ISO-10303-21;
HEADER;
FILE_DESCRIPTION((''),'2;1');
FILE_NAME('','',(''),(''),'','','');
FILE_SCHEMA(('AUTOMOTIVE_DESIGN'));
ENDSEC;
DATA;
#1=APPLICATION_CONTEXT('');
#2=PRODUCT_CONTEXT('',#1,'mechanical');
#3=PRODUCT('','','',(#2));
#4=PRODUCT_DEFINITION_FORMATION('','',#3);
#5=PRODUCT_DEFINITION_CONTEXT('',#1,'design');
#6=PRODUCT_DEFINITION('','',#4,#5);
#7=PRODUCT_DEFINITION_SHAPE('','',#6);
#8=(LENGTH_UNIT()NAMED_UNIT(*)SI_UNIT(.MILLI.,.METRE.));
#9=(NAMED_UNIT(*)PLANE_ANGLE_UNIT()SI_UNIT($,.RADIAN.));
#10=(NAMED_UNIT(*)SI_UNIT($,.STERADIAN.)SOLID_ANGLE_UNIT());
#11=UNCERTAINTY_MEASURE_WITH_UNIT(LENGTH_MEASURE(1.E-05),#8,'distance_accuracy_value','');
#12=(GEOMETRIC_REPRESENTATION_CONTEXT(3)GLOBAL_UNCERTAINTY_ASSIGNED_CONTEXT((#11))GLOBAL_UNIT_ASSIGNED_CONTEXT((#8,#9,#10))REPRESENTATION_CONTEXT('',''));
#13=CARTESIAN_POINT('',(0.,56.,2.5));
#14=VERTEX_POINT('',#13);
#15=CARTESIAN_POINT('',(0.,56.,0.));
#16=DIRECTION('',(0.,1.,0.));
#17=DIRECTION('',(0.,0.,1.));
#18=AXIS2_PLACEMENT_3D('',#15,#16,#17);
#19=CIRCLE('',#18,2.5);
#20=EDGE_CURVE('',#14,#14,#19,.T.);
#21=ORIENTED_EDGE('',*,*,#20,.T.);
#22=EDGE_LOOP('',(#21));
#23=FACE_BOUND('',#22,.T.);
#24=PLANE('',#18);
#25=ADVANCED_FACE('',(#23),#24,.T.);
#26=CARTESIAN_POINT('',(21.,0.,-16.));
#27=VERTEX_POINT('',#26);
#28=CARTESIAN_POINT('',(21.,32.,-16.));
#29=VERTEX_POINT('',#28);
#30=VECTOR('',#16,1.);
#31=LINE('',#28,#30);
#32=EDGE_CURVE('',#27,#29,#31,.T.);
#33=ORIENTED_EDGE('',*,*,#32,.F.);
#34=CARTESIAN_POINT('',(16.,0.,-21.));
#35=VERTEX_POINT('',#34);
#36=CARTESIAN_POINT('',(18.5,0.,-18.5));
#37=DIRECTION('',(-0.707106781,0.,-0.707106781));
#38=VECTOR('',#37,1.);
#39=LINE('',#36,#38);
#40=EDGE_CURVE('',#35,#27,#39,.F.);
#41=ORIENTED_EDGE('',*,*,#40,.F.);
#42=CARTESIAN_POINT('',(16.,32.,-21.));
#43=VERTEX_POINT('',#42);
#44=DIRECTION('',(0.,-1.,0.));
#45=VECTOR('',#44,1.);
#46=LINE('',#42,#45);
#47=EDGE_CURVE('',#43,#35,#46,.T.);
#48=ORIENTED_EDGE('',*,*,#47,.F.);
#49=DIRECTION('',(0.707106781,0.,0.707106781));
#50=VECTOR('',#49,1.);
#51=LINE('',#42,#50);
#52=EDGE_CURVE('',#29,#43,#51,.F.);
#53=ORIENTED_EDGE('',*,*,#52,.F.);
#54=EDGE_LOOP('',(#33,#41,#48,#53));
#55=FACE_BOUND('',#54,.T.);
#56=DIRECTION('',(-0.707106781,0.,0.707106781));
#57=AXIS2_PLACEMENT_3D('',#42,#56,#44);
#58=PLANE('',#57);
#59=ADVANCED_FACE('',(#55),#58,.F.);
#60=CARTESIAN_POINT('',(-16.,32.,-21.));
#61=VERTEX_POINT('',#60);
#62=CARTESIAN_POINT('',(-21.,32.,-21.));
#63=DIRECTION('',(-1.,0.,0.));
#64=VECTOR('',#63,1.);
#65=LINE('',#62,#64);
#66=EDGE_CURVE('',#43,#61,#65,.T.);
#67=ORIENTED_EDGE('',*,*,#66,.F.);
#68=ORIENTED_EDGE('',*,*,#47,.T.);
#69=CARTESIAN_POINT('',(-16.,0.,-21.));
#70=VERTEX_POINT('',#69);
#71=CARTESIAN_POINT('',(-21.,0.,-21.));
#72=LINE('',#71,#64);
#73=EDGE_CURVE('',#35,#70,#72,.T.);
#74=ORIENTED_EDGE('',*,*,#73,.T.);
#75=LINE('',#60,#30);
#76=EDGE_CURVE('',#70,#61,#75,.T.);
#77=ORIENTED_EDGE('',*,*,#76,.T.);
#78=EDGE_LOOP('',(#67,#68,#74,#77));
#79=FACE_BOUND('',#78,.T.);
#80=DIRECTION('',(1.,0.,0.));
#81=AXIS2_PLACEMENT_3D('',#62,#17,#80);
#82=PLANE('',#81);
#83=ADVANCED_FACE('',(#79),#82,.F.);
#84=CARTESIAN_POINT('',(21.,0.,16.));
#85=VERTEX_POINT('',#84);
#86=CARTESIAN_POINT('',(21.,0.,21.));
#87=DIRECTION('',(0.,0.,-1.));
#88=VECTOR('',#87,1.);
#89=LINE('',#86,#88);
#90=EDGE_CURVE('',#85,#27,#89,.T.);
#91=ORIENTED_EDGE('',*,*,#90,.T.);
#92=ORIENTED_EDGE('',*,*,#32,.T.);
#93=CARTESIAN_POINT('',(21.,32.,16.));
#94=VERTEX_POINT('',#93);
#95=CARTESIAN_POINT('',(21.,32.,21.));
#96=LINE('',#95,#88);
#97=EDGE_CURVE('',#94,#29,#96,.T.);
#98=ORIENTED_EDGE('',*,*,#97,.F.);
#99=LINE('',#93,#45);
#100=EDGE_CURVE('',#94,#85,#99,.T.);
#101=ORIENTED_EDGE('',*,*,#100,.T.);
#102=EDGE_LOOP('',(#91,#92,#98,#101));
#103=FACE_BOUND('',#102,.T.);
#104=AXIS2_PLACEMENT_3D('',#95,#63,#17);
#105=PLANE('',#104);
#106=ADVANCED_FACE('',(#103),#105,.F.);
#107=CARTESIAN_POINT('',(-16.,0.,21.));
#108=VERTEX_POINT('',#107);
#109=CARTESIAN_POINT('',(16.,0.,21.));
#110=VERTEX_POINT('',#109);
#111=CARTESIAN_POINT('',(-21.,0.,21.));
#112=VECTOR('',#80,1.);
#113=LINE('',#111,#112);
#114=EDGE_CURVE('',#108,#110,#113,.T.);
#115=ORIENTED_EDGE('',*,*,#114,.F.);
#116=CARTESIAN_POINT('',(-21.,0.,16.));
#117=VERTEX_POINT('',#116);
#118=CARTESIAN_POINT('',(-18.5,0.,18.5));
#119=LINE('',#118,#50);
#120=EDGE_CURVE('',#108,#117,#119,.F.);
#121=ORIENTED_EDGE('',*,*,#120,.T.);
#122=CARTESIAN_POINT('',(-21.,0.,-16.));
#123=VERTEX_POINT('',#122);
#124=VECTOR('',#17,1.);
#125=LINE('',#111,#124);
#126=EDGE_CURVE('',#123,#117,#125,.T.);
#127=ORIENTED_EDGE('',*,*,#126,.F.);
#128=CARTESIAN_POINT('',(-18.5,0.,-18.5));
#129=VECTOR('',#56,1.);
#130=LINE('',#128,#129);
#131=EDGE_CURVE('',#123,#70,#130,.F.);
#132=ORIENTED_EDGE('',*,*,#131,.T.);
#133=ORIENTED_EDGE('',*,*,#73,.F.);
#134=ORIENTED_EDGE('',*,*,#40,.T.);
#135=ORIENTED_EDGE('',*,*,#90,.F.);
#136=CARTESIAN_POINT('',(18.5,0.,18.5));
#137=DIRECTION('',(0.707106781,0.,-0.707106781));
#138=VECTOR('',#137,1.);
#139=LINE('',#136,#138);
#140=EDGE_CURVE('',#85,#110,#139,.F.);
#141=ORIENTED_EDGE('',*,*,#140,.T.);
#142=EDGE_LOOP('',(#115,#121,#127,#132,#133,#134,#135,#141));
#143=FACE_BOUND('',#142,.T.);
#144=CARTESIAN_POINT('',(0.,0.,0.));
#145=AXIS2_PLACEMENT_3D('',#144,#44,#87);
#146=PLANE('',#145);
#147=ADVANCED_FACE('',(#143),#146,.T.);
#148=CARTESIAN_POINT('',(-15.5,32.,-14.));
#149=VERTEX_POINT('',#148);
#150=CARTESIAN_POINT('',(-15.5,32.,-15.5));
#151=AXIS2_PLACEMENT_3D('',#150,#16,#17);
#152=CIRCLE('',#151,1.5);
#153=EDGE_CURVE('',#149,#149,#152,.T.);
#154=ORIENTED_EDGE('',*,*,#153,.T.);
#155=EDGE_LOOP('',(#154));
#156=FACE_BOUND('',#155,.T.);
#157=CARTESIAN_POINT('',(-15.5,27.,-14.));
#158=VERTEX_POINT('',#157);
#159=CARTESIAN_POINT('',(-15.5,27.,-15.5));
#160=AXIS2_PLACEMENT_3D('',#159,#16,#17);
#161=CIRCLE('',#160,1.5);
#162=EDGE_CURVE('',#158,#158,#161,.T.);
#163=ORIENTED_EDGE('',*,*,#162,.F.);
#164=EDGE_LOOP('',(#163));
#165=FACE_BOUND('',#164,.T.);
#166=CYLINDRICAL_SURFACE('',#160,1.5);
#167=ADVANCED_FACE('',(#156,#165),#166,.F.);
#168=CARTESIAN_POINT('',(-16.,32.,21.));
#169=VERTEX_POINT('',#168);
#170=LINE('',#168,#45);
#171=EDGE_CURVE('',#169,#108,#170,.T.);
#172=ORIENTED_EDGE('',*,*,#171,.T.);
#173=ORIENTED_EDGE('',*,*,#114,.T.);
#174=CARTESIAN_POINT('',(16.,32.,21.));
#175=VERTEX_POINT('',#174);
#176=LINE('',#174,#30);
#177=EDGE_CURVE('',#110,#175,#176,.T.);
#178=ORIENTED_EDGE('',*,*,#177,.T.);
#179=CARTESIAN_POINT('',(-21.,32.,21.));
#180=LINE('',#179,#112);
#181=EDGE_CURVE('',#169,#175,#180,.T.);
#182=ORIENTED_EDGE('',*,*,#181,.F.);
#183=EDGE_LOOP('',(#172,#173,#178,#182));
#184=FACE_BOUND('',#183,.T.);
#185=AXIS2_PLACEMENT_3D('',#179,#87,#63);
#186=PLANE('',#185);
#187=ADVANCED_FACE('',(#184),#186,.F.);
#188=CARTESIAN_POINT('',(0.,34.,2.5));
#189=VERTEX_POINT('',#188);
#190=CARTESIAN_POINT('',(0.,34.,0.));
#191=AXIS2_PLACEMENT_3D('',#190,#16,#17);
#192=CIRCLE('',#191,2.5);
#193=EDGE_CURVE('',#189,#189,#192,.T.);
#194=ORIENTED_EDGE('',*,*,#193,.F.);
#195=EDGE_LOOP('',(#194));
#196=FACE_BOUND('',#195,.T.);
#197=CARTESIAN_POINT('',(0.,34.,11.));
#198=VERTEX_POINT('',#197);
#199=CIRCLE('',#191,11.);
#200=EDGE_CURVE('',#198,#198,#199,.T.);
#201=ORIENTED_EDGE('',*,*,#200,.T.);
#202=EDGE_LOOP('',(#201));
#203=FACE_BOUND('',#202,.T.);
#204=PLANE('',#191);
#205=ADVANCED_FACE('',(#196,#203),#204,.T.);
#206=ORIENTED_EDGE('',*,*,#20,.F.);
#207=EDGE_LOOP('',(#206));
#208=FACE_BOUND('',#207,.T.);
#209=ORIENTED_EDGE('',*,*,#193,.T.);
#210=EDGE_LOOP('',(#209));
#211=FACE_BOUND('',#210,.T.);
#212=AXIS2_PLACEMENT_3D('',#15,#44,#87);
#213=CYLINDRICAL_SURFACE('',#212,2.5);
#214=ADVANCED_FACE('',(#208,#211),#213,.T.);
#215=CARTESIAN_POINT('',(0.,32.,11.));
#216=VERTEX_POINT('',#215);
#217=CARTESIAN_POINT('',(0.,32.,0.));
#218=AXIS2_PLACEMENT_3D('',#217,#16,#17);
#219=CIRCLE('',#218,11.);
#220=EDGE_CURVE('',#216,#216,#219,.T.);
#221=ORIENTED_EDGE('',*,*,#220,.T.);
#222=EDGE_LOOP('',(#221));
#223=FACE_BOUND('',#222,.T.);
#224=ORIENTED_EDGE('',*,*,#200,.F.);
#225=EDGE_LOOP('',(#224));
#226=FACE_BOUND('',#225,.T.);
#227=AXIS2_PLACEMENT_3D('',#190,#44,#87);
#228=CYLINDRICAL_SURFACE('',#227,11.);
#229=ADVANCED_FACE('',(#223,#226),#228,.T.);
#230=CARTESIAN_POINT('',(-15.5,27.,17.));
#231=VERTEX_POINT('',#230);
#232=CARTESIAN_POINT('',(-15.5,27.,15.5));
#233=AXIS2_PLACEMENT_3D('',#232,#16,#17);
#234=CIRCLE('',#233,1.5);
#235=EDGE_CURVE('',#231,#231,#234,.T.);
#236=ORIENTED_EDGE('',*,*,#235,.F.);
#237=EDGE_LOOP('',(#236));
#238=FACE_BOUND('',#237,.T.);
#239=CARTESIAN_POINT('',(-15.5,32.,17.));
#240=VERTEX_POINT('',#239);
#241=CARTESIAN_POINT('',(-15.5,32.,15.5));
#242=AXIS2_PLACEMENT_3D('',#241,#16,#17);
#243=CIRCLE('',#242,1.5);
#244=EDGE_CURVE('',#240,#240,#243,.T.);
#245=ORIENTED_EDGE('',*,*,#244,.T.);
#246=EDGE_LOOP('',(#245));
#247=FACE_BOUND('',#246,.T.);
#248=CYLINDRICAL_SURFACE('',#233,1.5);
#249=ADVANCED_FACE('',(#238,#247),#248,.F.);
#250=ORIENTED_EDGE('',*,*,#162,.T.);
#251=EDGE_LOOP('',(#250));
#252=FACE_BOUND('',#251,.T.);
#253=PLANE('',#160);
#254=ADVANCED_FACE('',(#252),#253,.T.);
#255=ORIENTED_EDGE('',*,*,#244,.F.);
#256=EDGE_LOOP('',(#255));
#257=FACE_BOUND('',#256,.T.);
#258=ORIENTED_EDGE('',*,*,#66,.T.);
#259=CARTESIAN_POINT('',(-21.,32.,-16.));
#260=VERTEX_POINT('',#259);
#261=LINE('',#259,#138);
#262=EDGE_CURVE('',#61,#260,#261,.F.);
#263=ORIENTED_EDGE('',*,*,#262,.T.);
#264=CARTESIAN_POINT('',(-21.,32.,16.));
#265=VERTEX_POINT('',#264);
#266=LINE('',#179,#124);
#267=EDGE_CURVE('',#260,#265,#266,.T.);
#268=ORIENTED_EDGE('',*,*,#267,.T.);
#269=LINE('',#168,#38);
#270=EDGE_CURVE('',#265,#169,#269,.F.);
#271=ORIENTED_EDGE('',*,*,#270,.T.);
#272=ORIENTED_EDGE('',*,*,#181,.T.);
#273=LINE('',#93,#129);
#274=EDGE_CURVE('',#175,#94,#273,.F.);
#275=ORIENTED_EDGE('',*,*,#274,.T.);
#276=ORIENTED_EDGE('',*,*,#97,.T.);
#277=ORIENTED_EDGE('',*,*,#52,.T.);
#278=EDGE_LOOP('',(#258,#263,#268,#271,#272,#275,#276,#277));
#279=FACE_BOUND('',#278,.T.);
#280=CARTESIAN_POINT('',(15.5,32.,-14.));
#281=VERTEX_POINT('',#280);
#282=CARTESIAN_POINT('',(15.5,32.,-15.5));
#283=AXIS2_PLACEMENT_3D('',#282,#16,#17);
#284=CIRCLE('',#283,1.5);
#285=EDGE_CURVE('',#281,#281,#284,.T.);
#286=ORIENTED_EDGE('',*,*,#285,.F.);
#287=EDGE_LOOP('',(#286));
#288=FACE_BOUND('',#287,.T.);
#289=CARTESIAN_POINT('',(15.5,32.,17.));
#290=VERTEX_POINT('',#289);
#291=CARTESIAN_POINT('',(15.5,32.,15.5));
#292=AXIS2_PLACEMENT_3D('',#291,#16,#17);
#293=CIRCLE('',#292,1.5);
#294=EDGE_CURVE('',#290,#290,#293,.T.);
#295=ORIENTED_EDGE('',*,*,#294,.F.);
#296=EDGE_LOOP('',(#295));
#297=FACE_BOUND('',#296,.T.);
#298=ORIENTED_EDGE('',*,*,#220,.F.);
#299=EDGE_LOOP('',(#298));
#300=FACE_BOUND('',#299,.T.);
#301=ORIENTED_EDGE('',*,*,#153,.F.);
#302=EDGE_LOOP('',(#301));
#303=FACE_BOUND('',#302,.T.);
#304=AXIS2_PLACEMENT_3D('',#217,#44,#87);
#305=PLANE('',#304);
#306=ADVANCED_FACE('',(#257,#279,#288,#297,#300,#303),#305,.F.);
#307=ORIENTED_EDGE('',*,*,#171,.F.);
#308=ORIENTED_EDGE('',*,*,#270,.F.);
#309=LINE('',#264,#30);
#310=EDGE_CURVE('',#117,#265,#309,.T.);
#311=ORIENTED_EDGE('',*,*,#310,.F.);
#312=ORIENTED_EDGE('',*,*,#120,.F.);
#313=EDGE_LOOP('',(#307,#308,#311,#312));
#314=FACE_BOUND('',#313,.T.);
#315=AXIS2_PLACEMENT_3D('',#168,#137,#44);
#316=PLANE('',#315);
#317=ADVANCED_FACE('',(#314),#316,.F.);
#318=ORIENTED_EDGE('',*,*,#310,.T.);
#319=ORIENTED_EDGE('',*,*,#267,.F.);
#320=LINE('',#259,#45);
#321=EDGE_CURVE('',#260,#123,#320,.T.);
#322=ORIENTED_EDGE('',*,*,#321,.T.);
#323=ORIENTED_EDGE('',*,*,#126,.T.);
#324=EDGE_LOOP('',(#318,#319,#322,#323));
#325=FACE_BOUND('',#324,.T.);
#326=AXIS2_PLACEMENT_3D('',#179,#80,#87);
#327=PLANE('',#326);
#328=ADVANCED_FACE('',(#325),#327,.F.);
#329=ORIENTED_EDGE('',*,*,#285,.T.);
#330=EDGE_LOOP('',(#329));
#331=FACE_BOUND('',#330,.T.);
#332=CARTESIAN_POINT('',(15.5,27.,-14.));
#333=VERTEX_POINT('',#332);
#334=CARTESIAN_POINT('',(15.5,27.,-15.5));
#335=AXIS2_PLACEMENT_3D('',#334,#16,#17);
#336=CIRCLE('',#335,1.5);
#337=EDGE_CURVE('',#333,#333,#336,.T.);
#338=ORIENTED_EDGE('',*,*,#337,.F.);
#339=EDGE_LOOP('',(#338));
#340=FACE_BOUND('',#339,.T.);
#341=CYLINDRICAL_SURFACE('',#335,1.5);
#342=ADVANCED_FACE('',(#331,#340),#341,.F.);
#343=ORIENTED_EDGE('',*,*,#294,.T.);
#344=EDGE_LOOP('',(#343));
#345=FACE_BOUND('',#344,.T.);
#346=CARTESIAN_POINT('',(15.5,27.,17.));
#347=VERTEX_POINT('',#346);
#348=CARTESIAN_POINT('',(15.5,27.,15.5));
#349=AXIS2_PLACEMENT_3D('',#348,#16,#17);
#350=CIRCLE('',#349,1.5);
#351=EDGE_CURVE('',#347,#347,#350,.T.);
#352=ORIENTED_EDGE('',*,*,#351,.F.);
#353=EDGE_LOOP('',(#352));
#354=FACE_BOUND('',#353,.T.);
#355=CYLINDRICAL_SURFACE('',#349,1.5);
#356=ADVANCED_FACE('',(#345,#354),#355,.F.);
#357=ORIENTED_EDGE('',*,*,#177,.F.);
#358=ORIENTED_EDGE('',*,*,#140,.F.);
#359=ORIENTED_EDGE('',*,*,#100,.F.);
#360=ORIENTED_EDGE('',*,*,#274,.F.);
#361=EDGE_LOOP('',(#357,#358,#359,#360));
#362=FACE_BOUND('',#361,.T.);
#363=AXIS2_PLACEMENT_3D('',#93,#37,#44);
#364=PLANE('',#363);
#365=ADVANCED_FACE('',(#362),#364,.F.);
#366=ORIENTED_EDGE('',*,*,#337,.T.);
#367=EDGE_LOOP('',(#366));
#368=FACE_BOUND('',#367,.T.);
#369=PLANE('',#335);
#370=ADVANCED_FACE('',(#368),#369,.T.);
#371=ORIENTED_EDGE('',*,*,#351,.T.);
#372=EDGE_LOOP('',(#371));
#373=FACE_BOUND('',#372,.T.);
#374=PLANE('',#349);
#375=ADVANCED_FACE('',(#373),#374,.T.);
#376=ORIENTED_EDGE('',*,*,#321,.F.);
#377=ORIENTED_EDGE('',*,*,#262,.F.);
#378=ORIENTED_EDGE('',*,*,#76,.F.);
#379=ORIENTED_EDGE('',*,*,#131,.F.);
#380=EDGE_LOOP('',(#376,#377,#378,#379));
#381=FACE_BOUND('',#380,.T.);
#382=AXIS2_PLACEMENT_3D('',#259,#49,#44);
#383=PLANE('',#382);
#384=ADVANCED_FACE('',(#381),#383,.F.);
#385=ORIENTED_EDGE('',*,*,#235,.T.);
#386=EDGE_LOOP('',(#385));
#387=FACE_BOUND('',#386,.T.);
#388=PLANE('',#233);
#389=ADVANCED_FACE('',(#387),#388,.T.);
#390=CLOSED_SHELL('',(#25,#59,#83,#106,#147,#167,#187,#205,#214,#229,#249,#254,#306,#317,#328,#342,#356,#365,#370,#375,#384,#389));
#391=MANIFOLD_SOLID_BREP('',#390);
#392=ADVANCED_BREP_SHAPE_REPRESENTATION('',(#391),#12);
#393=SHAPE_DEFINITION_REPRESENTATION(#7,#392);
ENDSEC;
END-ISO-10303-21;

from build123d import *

# Parameters (mm, degrees)
SKETCH1_W           = 42
SKETCH1_H           = 42
BOSS_EXTRUDE1_DEPTH = 32
SKETCH2_R           = 11
BOSS_EXTRUDE2_DEPTH = 2
SKETCH3_R           = 2.5
BOSS_EXTRUDE3_DEPTH = 22
SKETCH4_R           = 1.5
CUT_EXTRUDE1_DEPTH  = 5
CHAMFER1_SIZE       = 5


with BuildPart() as part:
    # Sketch1 → Boss-Extrude1 (new body)
    with BuildSketch(Plane(origin=(0, 0, 0), x_dir=(1, 0, 0), z_dir=(0, 1, 0))):
        Rectangle(SKETCH1_W, SKETCH1_H)
    extrude(amount=BOSS_EXTRUDE1_DEPTH)

    # Sketch2 → Boss-Extrude2 (add)
    with BuildSketch(Plane(origin=(0, 32, 0), x_dir=(1, 0, 0), z_dir=(0, 1, 0))):
        with Locations(Location((0, 0, 0), (0, 0, 270))):
            Circle(SKETCH2_R)
    extrude(amount=BOSS_EXTRUDE2_DEPTH)

    # Sketch3 → Boss-Extrude3 (add)
    with BuildSketch(Plane(origin=(0, 34, 0), x_dir=(1, 0, 0), z_dir=(0, 1, 0))):
        with Locations(Location((0, 0, 0), (0, 0, 270))):
            Circle(SKETCH3_R)
    extrude(amount=BOSS_EXTRUDE3_DEPTH)

    # Sketch4 → Cut-Extrude1 (cut)
    with BuildSketch(Plane(origin=(0, 32, 0), x_dir=(1, 0, 0), z_dir=(0, 1, 0))):
        with Locations(Location((15.5, 15.5, 0), (0, 0, 270))):
            Circle(SKETCH4_R)
        with Locations(Location((15.5, -15.5, 0), (0, 0, 270))):
            Circle(SKETCH4_R)
        with Locations(Location((-15.5, -15.5, 0), (0, 0, 270))):
            Circle(SKETCH4_R)
        with Locations(Location((-15.5, 15.5, 0), (0, 0, 270))):
            Circle(SKETCH4_R)
    extrude(amount=-CUT_EXTRUDE1_DEPTH, mode=Mode.SUBTRACT)

    # Chamfer1
    chamfer1_edges = [part.edges().sort_by_distance(p)[0] for p in [
        (21, 16, 21),
        (-21, 16, 21),
        (-21, 16, -21),
        (21, 16, -21),
    ]]
    chamfer(chamfer1_edges, length=CHAMFER1_SIZE)


solid = part.part
